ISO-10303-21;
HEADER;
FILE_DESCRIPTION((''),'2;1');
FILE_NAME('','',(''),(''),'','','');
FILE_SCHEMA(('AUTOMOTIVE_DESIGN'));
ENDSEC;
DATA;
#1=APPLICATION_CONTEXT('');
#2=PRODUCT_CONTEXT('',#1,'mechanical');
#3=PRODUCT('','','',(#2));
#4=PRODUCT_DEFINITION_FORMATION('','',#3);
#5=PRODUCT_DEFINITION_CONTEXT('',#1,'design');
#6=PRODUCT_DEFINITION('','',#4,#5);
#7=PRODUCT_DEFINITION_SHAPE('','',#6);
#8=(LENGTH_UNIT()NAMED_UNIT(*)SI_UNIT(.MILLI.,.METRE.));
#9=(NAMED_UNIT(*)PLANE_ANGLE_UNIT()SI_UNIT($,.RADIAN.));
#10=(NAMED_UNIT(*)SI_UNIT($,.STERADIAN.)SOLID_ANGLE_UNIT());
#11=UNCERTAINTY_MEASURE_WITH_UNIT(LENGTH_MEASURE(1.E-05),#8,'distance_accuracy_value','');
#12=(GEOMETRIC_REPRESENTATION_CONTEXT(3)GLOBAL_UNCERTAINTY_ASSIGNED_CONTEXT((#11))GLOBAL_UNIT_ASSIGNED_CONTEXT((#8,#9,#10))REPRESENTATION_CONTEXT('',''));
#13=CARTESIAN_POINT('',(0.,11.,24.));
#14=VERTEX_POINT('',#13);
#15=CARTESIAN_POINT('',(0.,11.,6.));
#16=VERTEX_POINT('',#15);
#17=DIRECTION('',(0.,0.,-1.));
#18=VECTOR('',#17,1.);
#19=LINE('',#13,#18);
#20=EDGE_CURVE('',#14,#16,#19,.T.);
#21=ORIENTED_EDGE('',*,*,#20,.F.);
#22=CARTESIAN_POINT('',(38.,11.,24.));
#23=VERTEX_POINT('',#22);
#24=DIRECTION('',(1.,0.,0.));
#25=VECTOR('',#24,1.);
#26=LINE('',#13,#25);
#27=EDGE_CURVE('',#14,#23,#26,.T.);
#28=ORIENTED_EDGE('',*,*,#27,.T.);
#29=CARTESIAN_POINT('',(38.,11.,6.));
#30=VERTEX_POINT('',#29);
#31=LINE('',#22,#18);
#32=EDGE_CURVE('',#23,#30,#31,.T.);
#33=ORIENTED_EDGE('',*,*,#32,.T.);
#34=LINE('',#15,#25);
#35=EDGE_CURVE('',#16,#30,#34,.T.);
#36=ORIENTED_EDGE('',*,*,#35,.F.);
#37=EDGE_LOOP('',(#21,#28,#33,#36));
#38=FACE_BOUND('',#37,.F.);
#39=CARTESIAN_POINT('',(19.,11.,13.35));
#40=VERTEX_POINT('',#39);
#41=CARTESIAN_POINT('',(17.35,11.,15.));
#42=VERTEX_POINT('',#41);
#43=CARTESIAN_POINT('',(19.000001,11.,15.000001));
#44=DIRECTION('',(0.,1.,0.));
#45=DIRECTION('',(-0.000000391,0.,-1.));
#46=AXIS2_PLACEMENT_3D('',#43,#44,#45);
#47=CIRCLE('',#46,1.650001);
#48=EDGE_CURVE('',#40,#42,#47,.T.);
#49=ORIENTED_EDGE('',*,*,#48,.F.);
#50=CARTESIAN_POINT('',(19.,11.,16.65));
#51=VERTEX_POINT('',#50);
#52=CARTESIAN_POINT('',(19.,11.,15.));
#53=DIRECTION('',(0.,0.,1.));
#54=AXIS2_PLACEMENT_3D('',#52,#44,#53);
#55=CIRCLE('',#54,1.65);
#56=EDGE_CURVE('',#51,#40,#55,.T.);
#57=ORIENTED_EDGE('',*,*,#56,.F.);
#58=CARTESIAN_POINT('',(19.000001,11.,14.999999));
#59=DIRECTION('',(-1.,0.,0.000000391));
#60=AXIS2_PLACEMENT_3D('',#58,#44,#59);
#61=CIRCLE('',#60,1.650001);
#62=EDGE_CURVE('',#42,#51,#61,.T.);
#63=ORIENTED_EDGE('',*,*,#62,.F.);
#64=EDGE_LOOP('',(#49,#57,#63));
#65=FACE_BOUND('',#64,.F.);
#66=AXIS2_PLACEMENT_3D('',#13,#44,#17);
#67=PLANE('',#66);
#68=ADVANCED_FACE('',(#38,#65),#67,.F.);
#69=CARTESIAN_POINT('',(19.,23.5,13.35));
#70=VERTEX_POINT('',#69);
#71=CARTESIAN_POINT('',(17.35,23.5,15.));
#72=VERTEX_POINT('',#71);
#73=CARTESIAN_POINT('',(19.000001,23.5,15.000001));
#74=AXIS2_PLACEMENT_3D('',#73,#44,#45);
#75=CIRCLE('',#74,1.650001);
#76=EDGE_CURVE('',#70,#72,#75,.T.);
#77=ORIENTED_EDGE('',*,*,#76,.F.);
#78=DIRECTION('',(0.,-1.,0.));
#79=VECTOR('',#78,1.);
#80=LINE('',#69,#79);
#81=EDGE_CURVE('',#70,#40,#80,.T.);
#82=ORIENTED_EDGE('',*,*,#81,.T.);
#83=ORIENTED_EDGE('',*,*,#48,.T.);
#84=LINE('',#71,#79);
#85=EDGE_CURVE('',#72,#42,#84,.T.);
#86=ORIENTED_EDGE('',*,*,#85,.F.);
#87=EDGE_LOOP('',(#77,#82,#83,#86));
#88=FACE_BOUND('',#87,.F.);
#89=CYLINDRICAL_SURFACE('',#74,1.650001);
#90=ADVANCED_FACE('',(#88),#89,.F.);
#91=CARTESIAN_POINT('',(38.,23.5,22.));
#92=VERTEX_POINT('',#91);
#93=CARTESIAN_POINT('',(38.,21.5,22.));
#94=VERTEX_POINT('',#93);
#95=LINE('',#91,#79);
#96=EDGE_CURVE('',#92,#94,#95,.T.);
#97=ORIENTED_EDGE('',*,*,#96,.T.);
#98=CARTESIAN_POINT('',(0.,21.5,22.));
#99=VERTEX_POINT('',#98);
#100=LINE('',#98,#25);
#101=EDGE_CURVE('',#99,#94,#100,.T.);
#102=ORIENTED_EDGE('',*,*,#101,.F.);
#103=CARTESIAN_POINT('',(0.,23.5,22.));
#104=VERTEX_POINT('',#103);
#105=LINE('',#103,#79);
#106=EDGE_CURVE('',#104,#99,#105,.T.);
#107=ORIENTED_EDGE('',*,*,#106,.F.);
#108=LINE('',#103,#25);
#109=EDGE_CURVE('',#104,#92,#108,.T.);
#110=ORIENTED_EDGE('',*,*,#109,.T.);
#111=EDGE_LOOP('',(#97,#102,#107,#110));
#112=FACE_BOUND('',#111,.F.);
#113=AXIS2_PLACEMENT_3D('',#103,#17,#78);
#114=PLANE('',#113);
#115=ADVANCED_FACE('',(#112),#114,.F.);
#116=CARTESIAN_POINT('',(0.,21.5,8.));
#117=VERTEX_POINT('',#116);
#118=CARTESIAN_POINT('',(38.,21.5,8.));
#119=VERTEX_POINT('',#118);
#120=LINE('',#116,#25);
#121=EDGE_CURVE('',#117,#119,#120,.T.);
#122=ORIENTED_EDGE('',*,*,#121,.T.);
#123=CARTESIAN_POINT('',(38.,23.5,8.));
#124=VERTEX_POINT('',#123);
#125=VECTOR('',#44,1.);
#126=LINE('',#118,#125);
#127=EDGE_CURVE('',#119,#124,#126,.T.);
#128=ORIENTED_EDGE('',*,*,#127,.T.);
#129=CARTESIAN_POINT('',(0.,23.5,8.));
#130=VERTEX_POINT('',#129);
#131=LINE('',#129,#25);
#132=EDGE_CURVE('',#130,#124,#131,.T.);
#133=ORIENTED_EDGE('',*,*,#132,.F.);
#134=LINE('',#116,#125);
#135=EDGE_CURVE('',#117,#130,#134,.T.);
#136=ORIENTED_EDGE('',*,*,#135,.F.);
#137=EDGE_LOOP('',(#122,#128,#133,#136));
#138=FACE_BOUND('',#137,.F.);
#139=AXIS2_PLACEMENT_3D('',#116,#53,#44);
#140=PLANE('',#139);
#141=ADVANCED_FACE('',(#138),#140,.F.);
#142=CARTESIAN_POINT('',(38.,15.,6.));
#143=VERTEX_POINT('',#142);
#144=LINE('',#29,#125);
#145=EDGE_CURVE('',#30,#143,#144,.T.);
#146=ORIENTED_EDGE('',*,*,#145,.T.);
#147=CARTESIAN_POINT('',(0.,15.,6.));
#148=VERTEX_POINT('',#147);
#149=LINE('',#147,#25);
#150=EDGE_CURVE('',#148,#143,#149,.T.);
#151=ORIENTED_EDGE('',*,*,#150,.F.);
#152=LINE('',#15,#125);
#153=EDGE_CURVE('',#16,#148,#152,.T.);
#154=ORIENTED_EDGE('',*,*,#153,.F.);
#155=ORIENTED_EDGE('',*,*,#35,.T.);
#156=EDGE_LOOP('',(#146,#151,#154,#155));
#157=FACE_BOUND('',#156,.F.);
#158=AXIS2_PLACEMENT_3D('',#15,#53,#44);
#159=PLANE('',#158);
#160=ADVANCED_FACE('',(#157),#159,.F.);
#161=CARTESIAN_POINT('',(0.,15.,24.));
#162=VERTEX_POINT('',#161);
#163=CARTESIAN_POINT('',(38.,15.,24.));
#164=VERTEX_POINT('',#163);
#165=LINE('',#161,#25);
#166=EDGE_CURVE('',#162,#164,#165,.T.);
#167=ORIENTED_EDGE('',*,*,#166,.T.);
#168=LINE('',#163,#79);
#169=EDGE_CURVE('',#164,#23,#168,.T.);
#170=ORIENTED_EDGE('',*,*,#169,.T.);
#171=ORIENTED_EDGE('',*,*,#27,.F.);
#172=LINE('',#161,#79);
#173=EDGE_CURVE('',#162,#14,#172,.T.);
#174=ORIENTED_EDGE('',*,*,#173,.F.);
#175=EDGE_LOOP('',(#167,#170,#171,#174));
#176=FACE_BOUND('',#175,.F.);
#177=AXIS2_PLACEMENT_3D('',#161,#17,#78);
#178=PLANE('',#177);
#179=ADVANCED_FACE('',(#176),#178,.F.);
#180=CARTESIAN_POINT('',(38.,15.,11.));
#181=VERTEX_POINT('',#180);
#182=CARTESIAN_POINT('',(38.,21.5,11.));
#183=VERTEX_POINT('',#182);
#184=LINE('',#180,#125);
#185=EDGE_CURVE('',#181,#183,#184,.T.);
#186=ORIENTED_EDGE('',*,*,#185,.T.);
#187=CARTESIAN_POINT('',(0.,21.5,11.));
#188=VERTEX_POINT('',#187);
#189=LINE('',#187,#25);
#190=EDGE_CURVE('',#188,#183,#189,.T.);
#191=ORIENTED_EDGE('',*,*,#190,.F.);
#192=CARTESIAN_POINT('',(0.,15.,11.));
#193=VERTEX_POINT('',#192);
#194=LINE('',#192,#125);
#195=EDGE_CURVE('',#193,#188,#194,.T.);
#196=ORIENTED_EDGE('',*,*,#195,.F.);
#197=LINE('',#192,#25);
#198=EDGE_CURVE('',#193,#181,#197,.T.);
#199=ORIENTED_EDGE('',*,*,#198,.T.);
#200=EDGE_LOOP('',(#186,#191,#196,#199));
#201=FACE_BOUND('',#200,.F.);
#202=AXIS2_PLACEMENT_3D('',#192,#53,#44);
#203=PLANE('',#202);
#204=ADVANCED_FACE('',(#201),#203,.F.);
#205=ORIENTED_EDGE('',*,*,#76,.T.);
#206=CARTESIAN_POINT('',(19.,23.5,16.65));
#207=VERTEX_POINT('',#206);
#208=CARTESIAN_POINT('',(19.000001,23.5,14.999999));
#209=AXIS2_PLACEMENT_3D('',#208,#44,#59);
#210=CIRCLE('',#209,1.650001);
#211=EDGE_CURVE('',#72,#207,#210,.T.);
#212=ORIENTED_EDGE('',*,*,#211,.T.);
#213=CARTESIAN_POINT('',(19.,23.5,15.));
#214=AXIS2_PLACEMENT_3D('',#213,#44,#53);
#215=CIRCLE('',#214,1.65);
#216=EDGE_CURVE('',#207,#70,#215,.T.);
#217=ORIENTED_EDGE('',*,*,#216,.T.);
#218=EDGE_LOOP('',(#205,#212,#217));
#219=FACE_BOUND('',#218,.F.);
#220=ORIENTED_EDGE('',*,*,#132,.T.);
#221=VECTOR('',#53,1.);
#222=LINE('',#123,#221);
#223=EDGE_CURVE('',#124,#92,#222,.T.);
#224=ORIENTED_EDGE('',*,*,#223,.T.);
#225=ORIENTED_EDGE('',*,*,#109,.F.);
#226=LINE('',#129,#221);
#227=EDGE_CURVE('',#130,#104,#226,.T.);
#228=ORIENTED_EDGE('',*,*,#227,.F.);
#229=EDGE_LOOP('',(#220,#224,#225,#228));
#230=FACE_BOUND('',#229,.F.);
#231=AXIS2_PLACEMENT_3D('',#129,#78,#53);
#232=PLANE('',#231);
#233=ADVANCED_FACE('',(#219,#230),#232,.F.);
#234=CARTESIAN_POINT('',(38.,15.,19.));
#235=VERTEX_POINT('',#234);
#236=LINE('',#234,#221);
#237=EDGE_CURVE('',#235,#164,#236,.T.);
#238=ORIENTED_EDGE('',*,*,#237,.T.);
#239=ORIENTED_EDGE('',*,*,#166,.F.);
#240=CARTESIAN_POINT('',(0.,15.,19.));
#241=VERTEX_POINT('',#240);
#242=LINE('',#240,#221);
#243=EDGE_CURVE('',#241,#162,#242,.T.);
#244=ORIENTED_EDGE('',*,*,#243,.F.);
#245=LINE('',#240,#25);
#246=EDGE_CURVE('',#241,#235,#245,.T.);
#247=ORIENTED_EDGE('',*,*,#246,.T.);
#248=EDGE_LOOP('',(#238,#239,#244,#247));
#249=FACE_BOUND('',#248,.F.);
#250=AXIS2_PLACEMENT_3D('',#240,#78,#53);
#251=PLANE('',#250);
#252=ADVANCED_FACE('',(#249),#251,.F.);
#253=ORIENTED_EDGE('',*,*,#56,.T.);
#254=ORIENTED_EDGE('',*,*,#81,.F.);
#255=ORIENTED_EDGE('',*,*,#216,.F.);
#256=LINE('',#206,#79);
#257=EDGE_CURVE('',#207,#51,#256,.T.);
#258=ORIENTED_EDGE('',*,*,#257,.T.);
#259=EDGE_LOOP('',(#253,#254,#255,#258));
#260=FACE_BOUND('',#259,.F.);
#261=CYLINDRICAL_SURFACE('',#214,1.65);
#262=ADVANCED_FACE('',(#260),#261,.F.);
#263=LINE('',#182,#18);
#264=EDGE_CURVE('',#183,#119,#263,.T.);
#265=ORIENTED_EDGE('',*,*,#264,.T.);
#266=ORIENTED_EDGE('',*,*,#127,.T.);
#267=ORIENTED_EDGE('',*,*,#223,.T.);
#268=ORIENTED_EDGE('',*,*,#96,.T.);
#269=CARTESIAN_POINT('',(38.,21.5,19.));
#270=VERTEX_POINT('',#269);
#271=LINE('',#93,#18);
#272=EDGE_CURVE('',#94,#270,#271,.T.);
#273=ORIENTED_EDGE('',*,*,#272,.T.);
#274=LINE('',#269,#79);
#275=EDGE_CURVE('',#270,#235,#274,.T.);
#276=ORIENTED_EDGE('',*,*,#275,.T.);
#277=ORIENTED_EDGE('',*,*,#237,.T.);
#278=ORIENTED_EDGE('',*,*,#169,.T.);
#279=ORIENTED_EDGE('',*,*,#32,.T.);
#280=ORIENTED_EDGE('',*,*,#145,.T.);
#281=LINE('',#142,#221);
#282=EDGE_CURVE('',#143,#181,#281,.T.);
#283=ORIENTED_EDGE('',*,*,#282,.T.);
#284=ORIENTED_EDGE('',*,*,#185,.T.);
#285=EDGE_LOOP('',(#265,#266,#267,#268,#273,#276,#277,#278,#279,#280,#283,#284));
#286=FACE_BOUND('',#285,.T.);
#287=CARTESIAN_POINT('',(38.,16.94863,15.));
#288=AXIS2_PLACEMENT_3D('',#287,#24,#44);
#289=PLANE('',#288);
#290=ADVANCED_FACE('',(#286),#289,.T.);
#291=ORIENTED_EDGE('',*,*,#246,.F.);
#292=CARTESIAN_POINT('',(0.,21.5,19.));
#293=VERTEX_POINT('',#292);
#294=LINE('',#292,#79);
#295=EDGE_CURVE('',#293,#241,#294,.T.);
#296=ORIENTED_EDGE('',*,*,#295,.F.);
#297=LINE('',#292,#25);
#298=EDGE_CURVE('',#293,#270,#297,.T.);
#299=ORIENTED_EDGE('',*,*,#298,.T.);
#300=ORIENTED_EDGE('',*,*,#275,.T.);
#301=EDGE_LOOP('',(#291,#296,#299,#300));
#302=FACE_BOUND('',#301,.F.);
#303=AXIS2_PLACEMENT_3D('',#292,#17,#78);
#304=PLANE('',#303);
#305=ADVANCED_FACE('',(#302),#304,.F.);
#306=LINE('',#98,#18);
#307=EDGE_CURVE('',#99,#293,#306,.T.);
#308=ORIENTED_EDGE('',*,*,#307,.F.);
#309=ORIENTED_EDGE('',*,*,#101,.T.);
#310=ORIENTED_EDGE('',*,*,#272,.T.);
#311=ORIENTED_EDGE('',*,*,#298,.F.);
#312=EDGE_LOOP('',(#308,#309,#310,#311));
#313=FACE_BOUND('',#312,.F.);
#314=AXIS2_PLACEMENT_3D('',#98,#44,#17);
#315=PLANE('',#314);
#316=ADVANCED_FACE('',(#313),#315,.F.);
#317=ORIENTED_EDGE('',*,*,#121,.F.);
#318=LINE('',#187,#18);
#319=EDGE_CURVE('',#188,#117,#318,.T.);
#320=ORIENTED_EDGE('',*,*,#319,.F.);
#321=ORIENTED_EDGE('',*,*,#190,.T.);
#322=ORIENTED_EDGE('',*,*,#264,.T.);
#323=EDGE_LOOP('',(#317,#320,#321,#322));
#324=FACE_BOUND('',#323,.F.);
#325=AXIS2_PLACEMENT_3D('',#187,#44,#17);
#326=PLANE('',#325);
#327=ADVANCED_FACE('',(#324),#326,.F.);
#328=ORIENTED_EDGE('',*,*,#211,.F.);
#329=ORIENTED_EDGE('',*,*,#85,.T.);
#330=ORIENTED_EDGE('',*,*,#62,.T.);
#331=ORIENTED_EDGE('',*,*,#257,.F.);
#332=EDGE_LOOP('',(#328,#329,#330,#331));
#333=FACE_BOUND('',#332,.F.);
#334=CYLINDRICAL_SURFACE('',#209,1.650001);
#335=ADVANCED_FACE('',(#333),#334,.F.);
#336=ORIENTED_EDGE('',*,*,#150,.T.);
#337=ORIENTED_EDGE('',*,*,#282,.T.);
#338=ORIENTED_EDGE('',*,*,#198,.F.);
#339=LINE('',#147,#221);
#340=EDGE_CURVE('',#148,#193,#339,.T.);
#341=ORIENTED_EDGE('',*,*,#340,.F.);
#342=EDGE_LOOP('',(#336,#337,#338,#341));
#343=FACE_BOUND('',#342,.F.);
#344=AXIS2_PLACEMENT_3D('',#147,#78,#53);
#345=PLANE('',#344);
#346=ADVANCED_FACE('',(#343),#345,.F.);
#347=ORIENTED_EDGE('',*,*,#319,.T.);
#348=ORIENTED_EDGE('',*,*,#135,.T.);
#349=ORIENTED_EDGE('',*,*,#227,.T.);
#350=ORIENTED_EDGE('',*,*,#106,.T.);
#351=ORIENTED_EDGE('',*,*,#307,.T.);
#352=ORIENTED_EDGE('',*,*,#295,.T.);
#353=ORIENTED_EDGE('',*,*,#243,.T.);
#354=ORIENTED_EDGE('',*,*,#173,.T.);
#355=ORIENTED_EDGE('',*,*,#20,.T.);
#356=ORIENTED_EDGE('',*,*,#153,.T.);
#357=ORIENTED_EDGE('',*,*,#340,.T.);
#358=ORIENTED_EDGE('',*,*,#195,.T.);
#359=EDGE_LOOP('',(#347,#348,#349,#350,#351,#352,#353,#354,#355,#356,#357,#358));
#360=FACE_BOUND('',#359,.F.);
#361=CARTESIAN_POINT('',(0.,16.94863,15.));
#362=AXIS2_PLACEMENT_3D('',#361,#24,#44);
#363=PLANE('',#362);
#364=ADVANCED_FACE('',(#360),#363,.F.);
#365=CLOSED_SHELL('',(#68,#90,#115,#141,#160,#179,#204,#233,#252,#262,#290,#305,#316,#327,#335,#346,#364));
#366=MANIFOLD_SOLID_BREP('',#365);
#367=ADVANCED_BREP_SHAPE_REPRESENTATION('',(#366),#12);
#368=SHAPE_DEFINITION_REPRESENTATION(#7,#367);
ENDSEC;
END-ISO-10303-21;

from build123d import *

# Parameters (mm, degrees)
F1_DEPTH = 38
F3_DEPTH = 25


with BuildPart() as f1:
    # F0 (on Right) → F1 (new body)
    with BuildSketch(Plane.YZ):
        Polygon((15, 19), (15, 20), (15, 24), (11, 24), (11, 15), (11, 6), (15, 6), (15, 10), (15, 11), (21.5, 11), (21.5, 8), (23.5, 8), (23.5, 15), (23.5, 22), (21.5, 22), (21.5, 19), align=None)
    extrude(amount=F1_DEPTH)

    # F2 (on face) → F3 (cut)
    with BuildSketch(Plane(origin=(0, 23.5, 0), x_dir=(-1, 0, 0), z_dir=(0, 1, 0))):
        with BuildLine():
            ThreePointArc((-17.35, 15), (-17.833274, 16.166726), (-19, 16.65))
            Line((-19, 16.65), (-19, 13.35))
            ThreePointArc((-19, 13.35), (-17.833274, 13.833274), (-17.35, 15))
        make_face()
        with BuildLine():
            Line((-19, 13.35), (-19, 16.65))
            ThreePointArc((-19, 16.65), (-20.65, 15), (-19, 13.35))
        make_face()
    extrude(amount=-F3_DEPTH, mode=Mode.SUBTRACT)


solid = f1.part
